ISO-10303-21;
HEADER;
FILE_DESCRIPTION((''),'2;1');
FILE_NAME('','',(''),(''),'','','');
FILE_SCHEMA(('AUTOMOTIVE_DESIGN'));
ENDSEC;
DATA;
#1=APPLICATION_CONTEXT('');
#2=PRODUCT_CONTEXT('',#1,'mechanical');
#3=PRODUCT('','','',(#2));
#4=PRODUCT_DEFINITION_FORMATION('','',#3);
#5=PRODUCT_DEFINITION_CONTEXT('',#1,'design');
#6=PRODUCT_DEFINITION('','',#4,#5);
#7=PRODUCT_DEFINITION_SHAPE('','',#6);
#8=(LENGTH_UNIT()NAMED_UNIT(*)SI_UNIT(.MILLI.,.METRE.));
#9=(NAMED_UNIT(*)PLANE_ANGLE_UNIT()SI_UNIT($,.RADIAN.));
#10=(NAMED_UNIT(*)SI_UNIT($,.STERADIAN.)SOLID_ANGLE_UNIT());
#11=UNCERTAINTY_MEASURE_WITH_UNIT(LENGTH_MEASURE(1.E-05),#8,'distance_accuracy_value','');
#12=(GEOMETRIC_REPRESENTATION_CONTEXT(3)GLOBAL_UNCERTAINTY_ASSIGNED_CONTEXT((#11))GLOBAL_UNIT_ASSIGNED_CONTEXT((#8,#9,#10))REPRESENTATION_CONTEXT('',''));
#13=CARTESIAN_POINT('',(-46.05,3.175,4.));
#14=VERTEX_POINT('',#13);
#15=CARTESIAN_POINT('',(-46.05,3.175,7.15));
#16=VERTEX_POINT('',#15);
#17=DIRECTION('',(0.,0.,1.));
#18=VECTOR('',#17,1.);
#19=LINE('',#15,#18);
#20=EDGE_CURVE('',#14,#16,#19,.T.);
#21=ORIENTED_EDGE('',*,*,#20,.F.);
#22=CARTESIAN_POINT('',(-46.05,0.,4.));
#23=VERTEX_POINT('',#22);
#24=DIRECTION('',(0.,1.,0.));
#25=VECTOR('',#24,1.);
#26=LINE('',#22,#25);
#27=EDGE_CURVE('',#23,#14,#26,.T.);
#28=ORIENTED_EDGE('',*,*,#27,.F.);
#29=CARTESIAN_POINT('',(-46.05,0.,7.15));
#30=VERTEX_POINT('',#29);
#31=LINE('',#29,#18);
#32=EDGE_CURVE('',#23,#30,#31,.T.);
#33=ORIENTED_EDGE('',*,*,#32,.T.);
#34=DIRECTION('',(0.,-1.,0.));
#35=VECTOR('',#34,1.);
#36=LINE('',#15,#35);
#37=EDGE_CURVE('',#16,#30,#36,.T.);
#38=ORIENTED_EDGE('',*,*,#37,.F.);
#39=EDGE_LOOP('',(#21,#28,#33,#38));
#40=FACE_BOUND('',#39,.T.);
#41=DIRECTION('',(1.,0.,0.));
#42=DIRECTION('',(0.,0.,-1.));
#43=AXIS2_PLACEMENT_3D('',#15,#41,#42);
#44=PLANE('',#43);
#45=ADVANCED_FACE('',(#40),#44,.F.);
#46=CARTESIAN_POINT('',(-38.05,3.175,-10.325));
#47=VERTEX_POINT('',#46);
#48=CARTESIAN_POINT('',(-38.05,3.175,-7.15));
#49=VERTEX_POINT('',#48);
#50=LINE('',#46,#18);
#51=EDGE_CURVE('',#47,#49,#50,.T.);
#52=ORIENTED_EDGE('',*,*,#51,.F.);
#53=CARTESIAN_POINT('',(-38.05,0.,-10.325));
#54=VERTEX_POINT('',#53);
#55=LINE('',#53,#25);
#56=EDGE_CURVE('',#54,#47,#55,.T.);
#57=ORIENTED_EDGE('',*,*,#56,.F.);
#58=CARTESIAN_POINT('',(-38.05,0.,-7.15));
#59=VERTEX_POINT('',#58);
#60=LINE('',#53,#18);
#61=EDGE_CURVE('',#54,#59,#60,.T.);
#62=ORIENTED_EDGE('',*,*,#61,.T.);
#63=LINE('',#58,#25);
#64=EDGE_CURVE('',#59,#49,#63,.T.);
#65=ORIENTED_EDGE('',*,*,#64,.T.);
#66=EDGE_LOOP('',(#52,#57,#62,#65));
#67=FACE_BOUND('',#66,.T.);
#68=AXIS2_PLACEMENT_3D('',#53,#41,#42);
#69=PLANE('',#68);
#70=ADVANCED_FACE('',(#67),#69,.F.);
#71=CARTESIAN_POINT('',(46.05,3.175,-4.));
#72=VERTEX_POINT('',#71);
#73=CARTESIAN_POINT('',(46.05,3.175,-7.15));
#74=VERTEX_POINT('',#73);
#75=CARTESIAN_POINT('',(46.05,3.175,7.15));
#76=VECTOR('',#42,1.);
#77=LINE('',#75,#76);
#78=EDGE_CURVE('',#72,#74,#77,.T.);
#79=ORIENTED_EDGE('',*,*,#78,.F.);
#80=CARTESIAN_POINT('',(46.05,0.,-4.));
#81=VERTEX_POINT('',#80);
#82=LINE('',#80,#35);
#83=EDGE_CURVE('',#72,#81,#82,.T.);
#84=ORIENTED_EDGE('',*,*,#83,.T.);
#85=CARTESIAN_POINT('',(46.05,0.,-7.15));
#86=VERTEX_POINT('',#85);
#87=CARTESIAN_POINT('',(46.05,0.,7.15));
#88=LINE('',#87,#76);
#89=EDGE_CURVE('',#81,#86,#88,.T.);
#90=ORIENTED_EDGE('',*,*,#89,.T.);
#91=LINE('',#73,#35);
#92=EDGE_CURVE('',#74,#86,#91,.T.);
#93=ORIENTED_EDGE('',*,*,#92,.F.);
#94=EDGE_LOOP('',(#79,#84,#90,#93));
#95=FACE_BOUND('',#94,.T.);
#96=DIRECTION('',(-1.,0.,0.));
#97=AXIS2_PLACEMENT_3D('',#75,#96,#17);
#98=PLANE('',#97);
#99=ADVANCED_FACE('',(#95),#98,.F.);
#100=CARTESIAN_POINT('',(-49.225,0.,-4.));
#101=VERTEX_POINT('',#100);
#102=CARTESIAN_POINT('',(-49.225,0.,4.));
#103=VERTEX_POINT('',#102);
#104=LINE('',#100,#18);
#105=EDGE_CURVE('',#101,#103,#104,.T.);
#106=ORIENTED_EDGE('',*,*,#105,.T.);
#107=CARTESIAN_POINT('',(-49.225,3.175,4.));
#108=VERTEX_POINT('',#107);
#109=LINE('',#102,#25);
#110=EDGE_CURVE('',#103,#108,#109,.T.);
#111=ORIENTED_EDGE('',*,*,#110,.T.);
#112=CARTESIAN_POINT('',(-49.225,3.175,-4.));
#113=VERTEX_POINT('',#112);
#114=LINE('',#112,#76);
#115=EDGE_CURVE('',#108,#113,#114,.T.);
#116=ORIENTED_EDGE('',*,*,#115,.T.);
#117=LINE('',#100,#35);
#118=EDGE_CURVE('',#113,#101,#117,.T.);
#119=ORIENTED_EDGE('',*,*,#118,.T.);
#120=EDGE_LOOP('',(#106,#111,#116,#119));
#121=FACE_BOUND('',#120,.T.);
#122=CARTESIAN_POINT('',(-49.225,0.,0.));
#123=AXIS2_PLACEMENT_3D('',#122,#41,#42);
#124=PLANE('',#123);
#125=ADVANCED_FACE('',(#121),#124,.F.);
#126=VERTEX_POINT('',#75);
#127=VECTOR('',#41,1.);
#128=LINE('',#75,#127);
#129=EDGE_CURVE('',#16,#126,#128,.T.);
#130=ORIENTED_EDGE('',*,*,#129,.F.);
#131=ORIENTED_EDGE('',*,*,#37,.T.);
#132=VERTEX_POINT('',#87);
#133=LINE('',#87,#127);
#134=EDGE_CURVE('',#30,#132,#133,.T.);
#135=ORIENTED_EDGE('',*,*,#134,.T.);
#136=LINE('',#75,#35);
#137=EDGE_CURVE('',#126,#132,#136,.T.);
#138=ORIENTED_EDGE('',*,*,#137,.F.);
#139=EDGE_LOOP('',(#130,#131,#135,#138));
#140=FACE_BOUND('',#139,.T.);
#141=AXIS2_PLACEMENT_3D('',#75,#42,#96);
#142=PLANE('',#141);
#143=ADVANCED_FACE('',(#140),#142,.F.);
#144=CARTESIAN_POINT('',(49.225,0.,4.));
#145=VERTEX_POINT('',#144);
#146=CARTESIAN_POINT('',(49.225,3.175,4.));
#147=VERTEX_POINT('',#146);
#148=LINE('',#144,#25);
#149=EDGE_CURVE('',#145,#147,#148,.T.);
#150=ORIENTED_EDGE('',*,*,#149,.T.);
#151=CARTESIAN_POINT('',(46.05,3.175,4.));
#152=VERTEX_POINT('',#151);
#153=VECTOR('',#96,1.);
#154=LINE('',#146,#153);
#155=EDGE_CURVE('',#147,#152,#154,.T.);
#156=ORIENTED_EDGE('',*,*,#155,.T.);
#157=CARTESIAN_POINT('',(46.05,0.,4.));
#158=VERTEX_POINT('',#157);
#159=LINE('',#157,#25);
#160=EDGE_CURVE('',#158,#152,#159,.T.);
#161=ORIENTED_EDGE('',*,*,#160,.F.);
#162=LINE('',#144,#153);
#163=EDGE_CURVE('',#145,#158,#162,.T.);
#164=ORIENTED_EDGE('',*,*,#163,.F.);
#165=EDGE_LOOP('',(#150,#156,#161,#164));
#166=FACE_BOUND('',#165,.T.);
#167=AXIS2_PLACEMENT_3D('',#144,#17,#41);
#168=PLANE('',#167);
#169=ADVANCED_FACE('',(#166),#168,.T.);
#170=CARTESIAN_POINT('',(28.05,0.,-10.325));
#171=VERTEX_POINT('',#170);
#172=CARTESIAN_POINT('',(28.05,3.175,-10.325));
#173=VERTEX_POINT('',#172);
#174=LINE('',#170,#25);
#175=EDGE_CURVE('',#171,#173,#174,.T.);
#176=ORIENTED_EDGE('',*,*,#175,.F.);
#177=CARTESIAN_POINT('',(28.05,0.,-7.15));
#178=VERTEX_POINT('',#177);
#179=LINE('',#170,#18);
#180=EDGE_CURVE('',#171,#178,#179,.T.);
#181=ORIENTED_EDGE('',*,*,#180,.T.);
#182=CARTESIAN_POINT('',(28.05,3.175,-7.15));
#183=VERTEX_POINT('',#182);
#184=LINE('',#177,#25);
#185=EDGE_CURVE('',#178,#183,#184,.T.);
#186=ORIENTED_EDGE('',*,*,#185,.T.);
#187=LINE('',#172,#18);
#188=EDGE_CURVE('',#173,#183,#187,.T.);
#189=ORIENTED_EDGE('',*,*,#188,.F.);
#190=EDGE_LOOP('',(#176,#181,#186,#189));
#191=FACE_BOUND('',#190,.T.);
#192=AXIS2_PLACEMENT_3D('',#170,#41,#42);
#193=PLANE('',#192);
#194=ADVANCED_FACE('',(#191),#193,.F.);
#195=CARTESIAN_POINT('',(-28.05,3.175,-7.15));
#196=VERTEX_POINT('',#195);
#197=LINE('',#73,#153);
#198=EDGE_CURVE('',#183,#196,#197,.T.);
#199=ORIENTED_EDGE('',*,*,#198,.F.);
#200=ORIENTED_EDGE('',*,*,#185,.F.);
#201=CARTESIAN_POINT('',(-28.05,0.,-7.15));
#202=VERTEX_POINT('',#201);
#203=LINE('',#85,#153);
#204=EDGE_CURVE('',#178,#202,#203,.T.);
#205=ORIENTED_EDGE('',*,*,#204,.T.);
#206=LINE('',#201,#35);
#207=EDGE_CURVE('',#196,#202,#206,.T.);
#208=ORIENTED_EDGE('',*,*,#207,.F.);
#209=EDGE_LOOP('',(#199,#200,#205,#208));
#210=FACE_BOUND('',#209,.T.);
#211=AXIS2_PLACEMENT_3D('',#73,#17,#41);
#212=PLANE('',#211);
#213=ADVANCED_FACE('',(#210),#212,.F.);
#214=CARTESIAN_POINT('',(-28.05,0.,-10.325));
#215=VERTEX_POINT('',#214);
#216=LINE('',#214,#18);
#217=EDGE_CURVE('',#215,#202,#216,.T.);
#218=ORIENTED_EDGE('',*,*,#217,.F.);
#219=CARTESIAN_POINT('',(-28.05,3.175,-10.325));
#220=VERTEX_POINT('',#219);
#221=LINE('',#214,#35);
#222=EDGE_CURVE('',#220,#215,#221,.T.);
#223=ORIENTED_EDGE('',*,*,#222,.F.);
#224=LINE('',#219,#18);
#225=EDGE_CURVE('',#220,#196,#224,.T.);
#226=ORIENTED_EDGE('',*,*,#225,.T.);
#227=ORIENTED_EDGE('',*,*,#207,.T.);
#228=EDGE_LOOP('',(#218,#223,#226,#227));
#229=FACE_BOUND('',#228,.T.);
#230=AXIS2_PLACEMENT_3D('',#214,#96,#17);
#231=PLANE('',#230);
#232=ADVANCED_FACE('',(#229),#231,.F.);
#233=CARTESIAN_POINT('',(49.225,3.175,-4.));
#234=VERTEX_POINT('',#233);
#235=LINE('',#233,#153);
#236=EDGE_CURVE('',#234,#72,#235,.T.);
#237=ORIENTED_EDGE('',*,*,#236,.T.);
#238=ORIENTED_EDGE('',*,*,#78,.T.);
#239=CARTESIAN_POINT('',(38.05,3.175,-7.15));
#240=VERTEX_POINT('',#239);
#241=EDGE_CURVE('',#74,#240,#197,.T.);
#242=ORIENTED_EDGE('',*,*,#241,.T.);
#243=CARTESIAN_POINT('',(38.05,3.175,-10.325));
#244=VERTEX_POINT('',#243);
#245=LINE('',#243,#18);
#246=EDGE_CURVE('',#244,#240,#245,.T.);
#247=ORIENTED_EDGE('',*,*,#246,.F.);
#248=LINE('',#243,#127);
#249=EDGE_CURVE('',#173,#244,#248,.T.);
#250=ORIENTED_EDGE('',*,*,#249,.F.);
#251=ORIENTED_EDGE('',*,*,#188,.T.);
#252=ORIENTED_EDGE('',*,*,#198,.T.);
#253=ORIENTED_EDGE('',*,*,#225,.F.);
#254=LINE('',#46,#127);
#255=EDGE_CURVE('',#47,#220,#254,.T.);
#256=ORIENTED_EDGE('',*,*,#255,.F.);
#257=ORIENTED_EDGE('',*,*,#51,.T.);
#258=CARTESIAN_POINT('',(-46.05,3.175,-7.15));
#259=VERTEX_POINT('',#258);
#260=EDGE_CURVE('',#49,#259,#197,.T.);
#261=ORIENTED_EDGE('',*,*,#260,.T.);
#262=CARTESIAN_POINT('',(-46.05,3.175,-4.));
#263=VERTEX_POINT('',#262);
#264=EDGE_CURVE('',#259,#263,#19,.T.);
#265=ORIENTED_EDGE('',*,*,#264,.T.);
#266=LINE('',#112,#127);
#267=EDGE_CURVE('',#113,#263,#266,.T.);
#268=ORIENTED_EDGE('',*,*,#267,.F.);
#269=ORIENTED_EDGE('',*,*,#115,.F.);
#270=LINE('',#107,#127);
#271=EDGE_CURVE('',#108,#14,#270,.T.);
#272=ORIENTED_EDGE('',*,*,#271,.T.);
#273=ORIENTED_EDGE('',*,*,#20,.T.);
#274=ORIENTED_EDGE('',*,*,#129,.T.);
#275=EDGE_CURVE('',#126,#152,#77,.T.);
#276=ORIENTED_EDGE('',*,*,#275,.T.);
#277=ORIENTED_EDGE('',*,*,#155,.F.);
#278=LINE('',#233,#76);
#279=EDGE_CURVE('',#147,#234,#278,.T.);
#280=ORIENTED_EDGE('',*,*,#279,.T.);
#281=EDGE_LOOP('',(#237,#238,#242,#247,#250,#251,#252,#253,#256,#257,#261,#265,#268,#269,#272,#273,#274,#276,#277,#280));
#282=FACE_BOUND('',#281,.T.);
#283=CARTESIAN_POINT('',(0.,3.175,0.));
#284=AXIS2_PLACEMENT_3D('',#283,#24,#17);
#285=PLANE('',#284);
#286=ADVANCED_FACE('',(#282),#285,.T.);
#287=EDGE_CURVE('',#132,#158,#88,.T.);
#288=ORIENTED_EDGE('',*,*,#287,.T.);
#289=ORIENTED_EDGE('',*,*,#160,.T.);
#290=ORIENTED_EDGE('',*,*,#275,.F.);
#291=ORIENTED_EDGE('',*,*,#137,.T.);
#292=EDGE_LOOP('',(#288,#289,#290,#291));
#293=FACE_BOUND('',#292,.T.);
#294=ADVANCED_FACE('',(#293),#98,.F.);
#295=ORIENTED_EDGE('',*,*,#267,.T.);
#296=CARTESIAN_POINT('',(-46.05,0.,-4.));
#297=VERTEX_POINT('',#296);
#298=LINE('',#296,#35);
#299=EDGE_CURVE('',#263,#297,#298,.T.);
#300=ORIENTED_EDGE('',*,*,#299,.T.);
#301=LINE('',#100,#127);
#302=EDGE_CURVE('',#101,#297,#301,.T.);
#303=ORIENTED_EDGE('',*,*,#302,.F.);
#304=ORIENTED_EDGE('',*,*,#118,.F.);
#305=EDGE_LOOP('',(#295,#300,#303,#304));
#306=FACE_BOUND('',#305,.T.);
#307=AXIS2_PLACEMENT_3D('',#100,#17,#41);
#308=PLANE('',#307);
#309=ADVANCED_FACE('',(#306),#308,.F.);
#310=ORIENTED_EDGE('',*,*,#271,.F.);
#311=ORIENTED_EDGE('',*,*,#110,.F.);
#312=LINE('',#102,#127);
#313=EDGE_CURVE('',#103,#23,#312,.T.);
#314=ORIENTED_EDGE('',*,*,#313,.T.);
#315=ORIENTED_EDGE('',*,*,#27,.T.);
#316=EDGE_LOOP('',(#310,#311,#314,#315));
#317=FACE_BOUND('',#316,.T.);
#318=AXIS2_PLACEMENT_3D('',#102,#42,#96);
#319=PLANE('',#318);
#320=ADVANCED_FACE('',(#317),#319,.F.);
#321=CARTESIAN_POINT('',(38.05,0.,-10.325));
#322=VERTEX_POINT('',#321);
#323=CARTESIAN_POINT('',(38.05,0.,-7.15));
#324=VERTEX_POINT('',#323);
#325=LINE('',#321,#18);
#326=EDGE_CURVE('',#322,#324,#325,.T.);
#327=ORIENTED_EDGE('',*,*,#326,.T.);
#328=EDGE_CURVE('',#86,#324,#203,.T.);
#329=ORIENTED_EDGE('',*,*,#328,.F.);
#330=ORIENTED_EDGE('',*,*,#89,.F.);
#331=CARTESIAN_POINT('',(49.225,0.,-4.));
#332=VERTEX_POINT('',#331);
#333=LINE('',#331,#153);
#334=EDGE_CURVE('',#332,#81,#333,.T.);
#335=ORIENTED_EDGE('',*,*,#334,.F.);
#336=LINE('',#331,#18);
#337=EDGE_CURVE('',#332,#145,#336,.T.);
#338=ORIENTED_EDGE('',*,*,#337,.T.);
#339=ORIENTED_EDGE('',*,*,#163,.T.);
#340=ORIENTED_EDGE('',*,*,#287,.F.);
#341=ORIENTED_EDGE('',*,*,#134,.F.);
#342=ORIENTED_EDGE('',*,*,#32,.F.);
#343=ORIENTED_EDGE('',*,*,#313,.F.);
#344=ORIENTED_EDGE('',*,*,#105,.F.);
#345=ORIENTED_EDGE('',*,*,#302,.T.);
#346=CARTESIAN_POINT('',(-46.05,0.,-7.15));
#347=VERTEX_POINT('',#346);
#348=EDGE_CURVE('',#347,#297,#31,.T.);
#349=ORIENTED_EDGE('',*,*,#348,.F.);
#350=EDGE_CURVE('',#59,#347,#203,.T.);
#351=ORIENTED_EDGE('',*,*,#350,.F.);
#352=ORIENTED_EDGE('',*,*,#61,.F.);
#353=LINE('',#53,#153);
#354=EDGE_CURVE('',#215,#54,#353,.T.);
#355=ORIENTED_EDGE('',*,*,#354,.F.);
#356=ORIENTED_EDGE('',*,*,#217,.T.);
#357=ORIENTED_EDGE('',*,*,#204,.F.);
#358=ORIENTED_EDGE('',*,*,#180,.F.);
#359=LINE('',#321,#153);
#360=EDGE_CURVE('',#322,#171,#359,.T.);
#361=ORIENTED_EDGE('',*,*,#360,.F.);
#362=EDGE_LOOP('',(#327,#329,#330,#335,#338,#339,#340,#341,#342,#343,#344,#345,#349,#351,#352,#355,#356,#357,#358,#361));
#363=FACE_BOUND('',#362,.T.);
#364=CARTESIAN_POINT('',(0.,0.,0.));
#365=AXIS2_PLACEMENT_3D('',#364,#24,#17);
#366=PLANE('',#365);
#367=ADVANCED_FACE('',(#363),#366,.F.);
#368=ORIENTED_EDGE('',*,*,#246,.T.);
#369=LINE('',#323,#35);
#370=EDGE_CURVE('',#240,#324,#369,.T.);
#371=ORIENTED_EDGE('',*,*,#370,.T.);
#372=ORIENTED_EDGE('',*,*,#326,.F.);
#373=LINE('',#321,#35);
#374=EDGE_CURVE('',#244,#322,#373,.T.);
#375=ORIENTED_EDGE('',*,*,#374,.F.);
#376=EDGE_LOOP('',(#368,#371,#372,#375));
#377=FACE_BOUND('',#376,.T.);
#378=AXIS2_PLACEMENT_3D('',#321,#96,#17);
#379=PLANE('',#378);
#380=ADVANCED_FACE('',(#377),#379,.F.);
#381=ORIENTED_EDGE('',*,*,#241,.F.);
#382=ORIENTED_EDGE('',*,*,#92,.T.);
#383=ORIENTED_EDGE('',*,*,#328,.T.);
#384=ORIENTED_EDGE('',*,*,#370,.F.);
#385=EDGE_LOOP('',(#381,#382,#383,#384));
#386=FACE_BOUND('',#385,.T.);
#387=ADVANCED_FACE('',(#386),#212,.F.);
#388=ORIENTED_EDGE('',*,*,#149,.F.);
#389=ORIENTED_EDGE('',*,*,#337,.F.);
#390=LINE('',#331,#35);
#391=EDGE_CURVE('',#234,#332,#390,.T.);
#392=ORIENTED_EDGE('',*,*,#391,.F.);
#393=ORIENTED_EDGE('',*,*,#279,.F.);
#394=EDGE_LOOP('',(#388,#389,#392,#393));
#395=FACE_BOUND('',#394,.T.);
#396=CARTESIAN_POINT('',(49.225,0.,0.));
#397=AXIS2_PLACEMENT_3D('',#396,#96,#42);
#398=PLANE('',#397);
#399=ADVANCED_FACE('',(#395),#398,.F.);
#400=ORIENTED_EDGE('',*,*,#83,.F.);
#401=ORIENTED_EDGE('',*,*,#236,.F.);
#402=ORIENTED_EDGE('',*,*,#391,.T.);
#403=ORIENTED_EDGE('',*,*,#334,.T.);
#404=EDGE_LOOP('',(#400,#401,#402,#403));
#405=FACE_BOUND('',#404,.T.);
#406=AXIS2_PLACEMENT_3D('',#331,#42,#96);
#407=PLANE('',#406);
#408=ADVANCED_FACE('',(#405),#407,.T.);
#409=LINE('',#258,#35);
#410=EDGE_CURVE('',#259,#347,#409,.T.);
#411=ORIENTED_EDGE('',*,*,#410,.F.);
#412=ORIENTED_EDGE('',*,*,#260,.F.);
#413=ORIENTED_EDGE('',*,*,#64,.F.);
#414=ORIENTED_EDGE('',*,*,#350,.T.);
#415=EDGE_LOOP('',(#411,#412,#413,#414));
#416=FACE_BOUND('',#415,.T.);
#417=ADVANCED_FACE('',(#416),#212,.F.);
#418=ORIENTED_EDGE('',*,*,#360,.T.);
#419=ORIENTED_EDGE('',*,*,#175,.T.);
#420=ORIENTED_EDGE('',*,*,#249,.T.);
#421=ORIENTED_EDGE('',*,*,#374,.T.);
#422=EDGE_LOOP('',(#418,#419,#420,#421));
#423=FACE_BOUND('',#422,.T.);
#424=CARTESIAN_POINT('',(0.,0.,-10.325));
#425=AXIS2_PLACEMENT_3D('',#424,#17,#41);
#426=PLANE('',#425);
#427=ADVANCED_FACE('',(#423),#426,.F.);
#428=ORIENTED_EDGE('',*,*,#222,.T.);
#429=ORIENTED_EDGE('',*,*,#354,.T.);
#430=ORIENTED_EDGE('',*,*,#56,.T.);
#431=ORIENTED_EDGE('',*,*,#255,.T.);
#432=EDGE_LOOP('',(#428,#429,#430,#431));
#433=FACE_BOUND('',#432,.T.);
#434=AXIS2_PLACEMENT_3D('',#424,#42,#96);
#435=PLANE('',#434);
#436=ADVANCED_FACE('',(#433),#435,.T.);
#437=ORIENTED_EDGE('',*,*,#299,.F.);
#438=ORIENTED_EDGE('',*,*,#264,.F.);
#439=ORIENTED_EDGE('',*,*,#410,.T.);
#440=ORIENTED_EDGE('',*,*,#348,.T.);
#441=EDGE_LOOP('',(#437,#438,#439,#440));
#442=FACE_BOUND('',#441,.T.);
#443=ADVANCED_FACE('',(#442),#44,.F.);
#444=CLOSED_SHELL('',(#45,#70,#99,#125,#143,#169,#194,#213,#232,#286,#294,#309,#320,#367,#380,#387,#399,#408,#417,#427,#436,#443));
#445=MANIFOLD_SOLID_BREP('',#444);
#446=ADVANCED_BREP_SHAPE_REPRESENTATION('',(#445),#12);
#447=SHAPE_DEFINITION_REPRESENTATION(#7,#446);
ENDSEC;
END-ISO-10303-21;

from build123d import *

# Parameters (mm, degrees)
SKETCH1_W           = 92.1
SKETCH1_H           = 14.3
BOSS_EXTRUDE1_DEPTH = 3.175
SKETCH2_W           = 10
SKETCH2_H           = 3.175
BOSS_EXTRUDE2_DEPTH = 3.175
SKETCH3_W           = 8
SKETCH3_H           = 3.175
BOSS_EXTRUDE3_DEPTH = 3.175


with BuildPart() as part:
    # Sketch1 → Boss-Extrude1 (new body)
    with BuildSketch(Plane(origin=(0, 0, 0), x_dir=(1, 0, 0), z_dir=(0, 1, 0))):
        Rectangle(SKETCH1_W, SKETCH1_H)
    extrude(amount=BOSS_EXTRUDE1_DEPTH)

    # Sketch2 → Boss-Extrude2 (add)
    with BuildSketch(Plane(origin=(0, 0, -7.15), x_dir=(-1, 0, 0), z_dir=(0, 0, -1))):
        with Locations((-33.05, 1.5875)):
            Rectangle(SKETCH2_W, SKETCH2_H)
        with Locations((33.05, 1.5875)):
            Rectangle(SKETCH2_W, SKETCH2_H)
    extrude(amount=BOSS_EXTRUDE2_DEPTH)

    # Sketch3 → Boss-Extrude3 (add)
    with BuildSketch(Plane.ZY.offset(46.05)):
        with Locations((0, 1.5875)):
            Rectangle(SKETCH3_W, SKETCH3_H)
    boss_extrude3 = extrude(amount=BOSS_EXTRUDE3_DEPTH)

    # Mirror1: Boss-Extrude3 across plane
    add(boss_extrude3.mirror(Plane(origin=(0, 0, 0), x_dir=(0, 0, 1), z_dir=(1, 0, 0))))


solid = part.part
